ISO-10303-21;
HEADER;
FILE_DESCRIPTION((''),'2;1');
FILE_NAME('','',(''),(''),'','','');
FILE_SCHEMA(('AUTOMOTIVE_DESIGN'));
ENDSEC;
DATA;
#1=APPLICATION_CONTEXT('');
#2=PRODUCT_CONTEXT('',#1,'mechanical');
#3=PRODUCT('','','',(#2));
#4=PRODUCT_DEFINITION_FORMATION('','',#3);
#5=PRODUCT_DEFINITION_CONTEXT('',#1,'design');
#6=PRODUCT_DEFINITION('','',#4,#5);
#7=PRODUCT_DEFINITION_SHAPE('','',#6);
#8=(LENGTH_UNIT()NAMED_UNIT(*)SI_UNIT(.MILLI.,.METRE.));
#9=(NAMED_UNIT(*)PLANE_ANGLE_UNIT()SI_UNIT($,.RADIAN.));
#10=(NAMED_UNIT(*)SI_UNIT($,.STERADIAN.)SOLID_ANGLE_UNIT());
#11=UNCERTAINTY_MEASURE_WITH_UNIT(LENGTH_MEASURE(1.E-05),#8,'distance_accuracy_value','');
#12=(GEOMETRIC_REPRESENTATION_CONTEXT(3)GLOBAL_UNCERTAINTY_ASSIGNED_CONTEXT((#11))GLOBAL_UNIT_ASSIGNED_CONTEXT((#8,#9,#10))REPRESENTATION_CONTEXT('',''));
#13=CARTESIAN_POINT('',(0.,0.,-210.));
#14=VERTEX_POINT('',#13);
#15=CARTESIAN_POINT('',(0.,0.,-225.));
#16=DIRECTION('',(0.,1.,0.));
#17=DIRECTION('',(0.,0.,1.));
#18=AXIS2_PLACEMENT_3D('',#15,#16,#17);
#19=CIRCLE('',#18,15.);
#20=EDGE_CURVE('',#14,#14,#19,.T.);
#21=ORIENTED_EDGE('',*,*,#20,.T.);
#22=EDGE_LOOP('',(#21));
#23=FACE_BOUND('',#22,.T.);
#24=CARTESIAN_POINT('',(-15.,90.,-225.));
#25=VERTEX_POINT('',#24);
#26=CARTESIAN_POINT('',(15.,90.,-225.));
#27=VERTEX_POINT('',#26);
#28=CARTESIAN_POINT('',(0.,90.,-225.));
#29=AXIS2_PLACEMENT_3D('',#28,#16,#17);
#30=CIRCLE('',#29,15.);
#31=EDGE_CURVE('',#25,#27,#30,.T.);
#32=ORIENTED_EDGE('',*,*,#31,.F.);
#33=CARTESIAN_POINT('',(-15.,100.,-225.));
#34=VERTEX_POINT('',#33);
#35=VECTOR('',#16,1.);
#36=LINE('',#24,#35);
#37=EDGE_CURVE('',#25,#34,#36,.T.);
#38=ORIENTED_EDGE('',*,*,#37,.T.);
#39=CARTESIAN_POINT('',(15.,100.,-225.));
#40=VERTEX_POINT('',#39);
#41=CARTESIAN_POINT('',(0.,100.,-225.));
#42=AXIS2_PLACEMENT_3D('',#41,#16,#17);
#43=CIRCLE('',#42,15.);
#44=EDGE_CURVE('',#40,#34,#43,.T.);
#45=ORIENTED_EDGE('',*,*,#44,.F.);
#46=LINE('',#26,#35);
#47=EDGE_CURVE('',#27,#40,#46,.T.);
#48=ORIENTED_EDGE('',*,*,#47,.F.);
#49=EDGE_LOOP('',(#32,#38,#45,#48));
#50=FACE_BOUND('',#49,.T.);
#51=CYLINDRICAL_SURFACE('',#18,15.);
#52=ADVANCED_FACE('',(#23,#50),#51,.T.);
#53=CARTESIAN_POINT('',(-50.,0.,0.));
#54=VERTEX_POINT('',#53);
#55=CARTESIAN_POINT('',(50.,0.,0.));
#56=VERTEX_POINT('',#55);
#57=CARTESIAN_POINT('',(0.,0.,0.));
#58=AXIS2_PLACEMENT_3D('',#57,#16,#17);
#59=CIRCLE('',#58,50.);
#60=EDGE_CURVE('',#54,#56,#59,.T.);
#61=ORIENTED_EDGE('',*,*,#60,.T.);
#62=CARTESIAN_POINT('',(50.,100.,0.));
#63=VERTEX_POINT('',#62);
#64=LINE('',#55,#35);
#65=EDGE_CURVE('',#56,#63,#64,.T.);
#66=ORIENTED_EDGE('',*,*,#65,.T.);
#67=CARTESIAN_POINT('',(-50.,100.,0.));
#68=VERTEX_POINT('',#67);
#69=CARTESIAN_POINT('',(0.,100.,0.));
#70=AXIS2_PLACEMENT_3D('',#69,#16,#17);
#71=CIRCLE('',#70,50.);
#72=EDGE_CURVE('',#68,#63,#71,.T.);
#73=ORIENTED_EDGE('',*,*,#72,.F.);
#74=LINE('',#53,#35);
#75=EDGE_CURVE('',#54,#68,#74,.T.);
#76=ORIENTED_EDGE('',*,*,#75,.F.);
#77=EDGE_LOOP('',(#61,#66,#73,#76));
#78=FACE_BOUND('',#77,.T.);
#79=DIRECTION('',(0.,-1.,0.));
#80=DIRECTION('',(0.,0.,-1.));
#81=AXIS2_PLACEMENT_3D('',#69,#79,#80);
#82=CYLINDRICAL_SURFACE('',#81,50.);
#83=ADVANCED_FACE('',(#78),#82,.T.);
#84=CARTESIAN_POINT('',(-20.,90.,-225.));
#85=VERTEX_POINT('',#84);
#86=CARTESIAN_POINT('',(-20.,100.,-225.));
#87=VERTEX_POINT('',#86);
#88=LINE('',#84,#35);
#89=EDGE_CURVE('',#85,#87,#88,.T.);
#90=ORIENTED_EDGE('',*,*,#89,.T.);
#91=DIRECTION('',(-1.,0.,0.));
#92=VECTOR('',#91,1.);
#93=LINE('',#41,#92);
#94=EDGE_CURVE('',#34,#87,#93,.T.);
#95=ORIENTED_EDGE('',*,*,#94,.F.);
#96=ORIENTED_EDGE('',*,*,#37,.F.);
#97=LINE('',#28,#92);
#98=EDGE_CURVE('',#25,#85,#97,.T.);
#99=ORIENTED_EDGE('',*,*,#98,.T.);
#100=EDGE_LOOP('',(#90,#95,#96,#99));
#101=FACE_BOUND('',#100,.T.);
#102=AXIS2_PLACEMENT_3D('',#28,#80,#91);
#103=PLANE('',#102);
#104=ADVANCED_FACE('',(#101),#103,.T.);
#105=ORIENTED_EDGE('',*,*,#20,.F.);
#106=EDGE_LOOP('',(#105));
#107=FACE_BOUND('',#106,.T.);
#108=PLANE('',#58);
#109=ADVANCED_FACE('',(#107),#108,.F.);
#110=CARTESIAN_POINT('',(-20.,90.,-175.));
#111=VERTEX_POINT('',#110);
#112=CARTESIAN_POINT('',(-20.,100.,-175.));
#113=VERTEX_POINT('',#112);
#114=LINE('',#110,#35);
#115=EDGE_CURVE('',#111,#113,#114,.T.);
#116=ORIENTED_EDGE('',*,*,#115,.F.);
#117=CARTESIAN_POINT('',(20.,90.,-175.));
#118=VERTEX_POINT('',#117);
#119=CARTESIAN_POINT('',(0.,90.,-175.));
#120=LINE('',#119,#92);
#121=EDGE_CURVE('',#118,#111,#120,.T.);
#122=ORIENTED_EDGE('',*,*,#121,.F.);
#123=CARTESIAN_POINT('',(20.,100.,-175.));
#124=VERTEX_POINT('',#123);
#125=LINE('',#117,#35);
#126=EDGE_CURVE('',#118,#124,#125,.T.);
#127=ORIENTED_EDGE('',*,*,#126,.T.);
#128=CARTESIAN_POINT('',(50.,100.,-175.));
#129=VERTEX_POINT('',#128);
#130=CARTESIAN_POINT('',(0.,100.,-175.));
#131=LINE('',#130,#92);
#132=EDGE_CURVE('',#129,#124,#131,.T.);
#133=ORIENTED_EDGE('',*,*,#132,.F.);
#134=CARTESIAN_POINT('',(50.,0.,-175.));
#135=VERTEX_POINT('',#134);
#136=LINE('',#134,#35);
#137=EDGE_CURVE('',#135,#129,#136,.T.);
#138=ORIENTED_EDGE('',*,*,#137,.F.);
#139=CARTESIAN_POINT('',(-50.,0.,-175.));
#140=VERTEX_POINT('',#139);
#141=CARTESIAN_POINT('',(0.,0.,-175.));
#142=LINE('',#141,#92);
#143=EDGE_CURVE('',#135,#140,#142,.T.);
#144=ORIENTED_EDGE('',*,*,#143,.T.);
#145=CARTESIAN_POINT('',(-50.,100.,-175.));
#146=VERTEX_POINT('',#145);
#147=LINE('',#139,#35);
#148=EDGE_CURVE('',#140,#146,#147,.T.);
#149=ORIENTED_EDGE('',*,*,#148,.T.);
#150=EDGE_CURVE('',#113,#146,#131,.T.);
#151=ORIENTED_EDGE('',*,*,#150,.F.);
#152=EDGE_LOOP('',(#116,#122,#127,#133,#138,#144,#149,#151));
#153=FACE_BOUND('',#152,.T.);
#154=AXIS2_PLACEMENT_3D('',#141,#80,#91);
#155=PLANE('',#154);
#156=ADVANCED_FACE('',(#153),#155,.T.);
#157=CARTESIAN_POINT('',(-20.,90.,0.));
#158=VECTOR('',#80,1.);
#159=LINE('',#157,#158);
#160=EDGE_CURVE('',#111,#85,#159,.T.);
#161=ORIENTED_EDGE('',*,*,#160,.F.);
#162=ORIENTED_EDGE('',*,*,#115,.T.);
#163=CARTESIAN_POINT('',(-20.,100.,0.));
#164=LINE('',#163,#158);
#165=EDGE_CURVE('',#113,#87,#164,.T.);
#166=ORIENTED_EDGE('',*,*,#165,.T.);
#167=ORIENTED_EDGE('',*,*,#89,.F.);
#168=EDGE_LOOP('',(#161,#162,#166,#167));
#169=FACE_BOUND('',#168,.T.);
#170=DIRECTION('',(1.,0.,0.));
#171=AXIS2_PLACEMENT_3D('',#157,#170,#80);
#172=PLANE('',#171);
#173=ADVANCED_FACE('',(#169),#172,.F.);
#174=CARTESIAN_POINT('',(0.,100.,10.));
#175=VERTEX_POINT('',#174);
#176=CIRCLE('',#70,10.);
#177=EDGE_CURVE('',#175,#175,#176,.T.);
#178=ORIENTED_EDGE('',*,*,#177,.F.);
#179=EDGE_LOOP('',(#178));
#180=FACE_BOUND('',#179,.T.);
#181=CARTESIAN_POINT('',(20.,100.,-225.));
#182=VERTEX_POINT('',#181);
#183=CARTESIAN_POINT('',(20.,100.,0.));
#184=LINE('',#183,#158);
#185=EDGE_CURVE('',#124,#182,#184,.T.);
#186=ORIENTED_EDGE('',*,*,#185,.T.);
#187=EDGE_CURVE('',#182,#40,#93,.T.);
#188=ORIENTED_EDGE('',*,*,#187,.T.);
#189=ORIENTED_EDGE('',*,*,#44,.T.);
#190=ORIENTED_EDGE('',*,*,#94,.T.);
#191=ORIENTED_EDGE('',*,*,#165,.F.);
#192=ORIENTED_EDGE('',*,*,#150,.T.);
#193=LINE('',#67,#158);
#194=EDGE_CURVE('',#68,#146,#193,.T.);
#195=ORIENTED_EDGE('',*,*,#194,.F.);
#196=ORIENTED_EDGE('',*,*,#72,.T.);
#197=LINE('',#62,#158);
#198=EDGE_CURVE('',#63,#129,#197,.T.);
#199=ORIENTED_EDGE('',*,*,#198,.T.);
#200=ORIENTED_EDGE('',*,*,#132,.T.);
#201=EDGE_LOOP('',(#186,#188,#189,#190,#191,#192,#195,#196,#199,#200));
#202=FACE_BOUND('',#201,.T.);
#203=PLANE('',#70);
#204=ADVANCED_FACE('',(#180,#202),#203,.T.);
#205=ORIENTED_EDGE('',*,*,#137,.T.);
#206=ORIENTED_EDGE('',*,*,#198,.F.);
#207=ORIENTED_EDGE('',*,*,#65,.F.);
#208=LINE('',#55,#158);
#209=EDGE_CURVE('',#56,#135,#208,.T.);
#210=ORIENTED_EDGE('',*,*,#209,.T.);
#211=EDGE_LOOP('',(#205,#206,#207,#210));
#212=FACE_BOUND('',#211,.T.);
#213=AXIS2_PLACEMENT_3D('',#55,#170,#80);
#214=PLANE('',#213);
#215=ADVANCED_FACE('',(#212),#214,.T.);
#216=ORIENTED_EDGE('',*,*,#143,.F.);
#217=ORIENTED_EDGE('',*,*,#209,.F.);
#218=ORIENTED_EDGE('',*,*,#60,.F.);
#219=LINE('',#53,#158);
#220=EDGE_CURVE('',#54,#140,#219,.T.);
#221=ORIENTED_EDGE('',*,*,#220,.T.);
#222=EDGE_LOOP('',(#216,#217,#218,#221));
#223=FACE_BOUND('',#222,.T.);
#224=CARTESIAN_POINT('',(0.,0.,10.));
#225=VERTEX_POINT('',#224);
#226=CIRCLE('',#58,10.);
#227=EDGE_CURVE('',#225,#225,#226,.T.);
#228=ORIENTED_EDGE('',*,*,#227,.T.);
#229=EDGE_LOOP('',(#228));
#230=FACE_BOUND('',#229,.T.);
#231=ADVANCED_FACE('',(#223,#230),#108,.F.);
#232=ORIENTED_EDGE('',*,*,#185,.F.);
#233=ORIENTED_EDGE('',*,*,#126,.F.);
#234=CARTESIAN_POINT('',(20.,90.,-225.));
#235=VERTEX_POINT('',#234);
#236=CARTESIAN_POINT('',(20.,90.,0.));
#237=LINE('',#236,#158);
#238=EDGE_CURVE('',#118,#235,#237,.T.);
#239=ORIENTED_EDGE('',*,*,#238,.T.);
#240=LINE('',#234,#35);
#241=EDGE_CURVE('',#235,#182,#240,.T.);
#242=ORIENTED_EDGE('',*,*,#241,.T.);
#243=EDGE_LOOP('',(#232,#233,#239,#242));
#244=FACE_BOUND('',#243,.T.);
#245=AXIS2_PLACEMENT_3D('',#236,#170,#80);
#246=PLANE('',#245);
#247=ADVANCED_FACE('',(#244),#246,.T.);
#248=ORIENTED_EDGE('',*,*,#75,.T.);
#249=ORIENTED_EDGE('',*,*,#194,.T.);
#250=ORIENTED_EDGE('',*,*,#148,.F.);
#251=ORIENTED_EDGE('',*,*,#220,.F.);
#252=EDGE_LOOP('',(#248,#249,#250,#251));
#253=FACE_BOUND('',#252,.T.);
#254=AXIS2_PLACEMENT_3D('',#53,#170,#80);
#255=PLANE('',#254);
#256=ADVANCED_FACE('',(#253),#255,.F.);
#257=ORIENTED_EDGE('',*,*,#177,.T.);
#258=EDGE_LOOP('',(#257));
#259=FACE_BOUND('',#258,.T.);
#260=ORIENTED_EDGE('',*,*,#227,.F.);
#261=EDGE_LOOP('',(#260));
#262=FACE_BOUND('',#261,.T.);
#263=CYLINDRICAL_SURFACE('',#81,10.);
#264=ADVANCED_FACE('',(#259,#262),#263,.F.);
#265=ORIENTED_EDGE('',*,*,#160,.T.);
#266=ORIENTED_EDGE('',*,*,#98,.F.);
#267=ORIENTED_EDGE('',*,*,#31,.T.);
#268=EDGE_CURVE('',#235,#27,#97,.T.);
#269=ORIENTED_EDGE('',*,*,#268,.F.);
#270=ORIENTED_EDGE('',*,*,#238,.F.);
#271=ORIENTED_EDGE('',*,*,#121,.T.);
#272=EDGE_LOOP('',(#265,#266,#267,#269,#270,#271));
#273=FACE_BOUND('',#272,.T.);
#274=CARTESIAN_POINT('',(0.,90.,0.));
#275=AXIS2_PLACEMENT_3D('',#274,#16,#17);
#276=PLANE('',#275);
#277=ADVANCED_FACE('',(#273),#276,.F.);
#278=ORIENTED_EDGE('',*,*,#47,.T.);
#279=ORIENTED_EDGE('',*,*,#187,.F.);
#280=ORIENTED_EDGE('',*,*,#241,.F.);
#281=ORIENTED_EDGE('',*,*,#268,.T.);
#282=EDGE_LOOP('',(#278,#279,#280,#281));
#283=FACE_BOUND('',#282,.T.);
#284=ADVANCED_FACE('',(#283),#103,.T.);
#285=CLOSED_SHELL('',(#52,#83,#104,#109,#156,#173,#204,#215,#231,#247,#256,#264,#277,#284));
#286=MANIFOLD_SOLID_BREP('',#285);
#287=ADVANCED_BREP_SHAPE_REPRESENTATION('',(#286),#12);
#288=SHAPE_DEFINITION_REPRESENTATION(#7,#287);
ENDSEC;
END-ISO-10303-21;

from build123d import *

# Parameters (mm, degrees)
SKETCH2_R           = 50
SKETCH2_R_2         = 10
BOSS_EXTRUDE1_DEPTH = 100
BOSS_EXTRUDE2_START = -100
BOSS_EXTRUDE2_DEPTH = 100
BOSS_EXTRUDE3_DEPTH = 10
BOSS_EXTRUDE4_DEPTH = 100


with BuildPart() as part:
    # Sketch2 → Boss-Extrude1 (new body)
    with BuildSketch(Plane(origin=(0, 0, 0), x_dir=(1, 0, 0), z_dir=(0, 1, 0))):
        with Locations(Location((0, 0, 0), (0, 0, 270))):
            Circle(SKETCH2_R)
        with Locations(Location((0, 0, 0), (0, 0, 270))):
            Circle(SKETCH2_R_2, mode=Mode.SUBTRACT)
    extrude(amount=BOSS_EXTRUDE1_DEPTH)

    # Sketch3 → Boss-Extrude2 (add)
    with BuildSketch(Plane(origin=(0, 100, 0), x_dir=(1, 0, 0), z_dir=(0, 1, 0)).offset(BOSS_EXTRUDE2_START)):
        with BuildLine():
            ThreePointArc((-50, 0), (0, 50), (50, 0))
            Line((50, 0), (50, 175))
            Line((50, 175), (-50, 175))
            Line((-50, 175), (-50, 0))
        make_face()
    extrude(amount=BOSS_EXTRUDE2_DEPTH)

    # Sketch4 → Boss-Extrude3 (add)
    with BuildSketch(Plane(origin=(0, 100, 0), x_dir=(1, 0, 0), z_dir=(0, 1, 0))):
        with BuildLine():
            Line((-20, 175), (20, 175))
            Line((20, 175), (20, 225))
            Line((20, 225), (15, 225))
            ThreePointArc((15, 225), (0, 210), (-15, 225))
            Line((-15, 225), (-20, 225))
            Line((-20, 225), (-20, 175))
        make_face()
    extrude(amount=-BOSS_EXTRUDE3_DEPTH)

    # Sketch4<3> → Boss-Extrude4 (add)
    with BuildSketch(Plane(origin=(0, 100, 0), x_dir=(1, 0, 0), z_dir=(0, 1, 0))):
        with BuildLine():
            ThreePointArc((-15, 225), (0, 210), (15, 225))
            Line((15, 225), (-15, 225))
        make_face()
        with BuildLine():
            Line((-15, 225), (15, 225))
            ThreePointArc((15, 225), (0, 240), (-15, 225))
        make_face()
    extrude(amount=-BOSS_EXTRUDE4_DEPTH)


solid = part.part
